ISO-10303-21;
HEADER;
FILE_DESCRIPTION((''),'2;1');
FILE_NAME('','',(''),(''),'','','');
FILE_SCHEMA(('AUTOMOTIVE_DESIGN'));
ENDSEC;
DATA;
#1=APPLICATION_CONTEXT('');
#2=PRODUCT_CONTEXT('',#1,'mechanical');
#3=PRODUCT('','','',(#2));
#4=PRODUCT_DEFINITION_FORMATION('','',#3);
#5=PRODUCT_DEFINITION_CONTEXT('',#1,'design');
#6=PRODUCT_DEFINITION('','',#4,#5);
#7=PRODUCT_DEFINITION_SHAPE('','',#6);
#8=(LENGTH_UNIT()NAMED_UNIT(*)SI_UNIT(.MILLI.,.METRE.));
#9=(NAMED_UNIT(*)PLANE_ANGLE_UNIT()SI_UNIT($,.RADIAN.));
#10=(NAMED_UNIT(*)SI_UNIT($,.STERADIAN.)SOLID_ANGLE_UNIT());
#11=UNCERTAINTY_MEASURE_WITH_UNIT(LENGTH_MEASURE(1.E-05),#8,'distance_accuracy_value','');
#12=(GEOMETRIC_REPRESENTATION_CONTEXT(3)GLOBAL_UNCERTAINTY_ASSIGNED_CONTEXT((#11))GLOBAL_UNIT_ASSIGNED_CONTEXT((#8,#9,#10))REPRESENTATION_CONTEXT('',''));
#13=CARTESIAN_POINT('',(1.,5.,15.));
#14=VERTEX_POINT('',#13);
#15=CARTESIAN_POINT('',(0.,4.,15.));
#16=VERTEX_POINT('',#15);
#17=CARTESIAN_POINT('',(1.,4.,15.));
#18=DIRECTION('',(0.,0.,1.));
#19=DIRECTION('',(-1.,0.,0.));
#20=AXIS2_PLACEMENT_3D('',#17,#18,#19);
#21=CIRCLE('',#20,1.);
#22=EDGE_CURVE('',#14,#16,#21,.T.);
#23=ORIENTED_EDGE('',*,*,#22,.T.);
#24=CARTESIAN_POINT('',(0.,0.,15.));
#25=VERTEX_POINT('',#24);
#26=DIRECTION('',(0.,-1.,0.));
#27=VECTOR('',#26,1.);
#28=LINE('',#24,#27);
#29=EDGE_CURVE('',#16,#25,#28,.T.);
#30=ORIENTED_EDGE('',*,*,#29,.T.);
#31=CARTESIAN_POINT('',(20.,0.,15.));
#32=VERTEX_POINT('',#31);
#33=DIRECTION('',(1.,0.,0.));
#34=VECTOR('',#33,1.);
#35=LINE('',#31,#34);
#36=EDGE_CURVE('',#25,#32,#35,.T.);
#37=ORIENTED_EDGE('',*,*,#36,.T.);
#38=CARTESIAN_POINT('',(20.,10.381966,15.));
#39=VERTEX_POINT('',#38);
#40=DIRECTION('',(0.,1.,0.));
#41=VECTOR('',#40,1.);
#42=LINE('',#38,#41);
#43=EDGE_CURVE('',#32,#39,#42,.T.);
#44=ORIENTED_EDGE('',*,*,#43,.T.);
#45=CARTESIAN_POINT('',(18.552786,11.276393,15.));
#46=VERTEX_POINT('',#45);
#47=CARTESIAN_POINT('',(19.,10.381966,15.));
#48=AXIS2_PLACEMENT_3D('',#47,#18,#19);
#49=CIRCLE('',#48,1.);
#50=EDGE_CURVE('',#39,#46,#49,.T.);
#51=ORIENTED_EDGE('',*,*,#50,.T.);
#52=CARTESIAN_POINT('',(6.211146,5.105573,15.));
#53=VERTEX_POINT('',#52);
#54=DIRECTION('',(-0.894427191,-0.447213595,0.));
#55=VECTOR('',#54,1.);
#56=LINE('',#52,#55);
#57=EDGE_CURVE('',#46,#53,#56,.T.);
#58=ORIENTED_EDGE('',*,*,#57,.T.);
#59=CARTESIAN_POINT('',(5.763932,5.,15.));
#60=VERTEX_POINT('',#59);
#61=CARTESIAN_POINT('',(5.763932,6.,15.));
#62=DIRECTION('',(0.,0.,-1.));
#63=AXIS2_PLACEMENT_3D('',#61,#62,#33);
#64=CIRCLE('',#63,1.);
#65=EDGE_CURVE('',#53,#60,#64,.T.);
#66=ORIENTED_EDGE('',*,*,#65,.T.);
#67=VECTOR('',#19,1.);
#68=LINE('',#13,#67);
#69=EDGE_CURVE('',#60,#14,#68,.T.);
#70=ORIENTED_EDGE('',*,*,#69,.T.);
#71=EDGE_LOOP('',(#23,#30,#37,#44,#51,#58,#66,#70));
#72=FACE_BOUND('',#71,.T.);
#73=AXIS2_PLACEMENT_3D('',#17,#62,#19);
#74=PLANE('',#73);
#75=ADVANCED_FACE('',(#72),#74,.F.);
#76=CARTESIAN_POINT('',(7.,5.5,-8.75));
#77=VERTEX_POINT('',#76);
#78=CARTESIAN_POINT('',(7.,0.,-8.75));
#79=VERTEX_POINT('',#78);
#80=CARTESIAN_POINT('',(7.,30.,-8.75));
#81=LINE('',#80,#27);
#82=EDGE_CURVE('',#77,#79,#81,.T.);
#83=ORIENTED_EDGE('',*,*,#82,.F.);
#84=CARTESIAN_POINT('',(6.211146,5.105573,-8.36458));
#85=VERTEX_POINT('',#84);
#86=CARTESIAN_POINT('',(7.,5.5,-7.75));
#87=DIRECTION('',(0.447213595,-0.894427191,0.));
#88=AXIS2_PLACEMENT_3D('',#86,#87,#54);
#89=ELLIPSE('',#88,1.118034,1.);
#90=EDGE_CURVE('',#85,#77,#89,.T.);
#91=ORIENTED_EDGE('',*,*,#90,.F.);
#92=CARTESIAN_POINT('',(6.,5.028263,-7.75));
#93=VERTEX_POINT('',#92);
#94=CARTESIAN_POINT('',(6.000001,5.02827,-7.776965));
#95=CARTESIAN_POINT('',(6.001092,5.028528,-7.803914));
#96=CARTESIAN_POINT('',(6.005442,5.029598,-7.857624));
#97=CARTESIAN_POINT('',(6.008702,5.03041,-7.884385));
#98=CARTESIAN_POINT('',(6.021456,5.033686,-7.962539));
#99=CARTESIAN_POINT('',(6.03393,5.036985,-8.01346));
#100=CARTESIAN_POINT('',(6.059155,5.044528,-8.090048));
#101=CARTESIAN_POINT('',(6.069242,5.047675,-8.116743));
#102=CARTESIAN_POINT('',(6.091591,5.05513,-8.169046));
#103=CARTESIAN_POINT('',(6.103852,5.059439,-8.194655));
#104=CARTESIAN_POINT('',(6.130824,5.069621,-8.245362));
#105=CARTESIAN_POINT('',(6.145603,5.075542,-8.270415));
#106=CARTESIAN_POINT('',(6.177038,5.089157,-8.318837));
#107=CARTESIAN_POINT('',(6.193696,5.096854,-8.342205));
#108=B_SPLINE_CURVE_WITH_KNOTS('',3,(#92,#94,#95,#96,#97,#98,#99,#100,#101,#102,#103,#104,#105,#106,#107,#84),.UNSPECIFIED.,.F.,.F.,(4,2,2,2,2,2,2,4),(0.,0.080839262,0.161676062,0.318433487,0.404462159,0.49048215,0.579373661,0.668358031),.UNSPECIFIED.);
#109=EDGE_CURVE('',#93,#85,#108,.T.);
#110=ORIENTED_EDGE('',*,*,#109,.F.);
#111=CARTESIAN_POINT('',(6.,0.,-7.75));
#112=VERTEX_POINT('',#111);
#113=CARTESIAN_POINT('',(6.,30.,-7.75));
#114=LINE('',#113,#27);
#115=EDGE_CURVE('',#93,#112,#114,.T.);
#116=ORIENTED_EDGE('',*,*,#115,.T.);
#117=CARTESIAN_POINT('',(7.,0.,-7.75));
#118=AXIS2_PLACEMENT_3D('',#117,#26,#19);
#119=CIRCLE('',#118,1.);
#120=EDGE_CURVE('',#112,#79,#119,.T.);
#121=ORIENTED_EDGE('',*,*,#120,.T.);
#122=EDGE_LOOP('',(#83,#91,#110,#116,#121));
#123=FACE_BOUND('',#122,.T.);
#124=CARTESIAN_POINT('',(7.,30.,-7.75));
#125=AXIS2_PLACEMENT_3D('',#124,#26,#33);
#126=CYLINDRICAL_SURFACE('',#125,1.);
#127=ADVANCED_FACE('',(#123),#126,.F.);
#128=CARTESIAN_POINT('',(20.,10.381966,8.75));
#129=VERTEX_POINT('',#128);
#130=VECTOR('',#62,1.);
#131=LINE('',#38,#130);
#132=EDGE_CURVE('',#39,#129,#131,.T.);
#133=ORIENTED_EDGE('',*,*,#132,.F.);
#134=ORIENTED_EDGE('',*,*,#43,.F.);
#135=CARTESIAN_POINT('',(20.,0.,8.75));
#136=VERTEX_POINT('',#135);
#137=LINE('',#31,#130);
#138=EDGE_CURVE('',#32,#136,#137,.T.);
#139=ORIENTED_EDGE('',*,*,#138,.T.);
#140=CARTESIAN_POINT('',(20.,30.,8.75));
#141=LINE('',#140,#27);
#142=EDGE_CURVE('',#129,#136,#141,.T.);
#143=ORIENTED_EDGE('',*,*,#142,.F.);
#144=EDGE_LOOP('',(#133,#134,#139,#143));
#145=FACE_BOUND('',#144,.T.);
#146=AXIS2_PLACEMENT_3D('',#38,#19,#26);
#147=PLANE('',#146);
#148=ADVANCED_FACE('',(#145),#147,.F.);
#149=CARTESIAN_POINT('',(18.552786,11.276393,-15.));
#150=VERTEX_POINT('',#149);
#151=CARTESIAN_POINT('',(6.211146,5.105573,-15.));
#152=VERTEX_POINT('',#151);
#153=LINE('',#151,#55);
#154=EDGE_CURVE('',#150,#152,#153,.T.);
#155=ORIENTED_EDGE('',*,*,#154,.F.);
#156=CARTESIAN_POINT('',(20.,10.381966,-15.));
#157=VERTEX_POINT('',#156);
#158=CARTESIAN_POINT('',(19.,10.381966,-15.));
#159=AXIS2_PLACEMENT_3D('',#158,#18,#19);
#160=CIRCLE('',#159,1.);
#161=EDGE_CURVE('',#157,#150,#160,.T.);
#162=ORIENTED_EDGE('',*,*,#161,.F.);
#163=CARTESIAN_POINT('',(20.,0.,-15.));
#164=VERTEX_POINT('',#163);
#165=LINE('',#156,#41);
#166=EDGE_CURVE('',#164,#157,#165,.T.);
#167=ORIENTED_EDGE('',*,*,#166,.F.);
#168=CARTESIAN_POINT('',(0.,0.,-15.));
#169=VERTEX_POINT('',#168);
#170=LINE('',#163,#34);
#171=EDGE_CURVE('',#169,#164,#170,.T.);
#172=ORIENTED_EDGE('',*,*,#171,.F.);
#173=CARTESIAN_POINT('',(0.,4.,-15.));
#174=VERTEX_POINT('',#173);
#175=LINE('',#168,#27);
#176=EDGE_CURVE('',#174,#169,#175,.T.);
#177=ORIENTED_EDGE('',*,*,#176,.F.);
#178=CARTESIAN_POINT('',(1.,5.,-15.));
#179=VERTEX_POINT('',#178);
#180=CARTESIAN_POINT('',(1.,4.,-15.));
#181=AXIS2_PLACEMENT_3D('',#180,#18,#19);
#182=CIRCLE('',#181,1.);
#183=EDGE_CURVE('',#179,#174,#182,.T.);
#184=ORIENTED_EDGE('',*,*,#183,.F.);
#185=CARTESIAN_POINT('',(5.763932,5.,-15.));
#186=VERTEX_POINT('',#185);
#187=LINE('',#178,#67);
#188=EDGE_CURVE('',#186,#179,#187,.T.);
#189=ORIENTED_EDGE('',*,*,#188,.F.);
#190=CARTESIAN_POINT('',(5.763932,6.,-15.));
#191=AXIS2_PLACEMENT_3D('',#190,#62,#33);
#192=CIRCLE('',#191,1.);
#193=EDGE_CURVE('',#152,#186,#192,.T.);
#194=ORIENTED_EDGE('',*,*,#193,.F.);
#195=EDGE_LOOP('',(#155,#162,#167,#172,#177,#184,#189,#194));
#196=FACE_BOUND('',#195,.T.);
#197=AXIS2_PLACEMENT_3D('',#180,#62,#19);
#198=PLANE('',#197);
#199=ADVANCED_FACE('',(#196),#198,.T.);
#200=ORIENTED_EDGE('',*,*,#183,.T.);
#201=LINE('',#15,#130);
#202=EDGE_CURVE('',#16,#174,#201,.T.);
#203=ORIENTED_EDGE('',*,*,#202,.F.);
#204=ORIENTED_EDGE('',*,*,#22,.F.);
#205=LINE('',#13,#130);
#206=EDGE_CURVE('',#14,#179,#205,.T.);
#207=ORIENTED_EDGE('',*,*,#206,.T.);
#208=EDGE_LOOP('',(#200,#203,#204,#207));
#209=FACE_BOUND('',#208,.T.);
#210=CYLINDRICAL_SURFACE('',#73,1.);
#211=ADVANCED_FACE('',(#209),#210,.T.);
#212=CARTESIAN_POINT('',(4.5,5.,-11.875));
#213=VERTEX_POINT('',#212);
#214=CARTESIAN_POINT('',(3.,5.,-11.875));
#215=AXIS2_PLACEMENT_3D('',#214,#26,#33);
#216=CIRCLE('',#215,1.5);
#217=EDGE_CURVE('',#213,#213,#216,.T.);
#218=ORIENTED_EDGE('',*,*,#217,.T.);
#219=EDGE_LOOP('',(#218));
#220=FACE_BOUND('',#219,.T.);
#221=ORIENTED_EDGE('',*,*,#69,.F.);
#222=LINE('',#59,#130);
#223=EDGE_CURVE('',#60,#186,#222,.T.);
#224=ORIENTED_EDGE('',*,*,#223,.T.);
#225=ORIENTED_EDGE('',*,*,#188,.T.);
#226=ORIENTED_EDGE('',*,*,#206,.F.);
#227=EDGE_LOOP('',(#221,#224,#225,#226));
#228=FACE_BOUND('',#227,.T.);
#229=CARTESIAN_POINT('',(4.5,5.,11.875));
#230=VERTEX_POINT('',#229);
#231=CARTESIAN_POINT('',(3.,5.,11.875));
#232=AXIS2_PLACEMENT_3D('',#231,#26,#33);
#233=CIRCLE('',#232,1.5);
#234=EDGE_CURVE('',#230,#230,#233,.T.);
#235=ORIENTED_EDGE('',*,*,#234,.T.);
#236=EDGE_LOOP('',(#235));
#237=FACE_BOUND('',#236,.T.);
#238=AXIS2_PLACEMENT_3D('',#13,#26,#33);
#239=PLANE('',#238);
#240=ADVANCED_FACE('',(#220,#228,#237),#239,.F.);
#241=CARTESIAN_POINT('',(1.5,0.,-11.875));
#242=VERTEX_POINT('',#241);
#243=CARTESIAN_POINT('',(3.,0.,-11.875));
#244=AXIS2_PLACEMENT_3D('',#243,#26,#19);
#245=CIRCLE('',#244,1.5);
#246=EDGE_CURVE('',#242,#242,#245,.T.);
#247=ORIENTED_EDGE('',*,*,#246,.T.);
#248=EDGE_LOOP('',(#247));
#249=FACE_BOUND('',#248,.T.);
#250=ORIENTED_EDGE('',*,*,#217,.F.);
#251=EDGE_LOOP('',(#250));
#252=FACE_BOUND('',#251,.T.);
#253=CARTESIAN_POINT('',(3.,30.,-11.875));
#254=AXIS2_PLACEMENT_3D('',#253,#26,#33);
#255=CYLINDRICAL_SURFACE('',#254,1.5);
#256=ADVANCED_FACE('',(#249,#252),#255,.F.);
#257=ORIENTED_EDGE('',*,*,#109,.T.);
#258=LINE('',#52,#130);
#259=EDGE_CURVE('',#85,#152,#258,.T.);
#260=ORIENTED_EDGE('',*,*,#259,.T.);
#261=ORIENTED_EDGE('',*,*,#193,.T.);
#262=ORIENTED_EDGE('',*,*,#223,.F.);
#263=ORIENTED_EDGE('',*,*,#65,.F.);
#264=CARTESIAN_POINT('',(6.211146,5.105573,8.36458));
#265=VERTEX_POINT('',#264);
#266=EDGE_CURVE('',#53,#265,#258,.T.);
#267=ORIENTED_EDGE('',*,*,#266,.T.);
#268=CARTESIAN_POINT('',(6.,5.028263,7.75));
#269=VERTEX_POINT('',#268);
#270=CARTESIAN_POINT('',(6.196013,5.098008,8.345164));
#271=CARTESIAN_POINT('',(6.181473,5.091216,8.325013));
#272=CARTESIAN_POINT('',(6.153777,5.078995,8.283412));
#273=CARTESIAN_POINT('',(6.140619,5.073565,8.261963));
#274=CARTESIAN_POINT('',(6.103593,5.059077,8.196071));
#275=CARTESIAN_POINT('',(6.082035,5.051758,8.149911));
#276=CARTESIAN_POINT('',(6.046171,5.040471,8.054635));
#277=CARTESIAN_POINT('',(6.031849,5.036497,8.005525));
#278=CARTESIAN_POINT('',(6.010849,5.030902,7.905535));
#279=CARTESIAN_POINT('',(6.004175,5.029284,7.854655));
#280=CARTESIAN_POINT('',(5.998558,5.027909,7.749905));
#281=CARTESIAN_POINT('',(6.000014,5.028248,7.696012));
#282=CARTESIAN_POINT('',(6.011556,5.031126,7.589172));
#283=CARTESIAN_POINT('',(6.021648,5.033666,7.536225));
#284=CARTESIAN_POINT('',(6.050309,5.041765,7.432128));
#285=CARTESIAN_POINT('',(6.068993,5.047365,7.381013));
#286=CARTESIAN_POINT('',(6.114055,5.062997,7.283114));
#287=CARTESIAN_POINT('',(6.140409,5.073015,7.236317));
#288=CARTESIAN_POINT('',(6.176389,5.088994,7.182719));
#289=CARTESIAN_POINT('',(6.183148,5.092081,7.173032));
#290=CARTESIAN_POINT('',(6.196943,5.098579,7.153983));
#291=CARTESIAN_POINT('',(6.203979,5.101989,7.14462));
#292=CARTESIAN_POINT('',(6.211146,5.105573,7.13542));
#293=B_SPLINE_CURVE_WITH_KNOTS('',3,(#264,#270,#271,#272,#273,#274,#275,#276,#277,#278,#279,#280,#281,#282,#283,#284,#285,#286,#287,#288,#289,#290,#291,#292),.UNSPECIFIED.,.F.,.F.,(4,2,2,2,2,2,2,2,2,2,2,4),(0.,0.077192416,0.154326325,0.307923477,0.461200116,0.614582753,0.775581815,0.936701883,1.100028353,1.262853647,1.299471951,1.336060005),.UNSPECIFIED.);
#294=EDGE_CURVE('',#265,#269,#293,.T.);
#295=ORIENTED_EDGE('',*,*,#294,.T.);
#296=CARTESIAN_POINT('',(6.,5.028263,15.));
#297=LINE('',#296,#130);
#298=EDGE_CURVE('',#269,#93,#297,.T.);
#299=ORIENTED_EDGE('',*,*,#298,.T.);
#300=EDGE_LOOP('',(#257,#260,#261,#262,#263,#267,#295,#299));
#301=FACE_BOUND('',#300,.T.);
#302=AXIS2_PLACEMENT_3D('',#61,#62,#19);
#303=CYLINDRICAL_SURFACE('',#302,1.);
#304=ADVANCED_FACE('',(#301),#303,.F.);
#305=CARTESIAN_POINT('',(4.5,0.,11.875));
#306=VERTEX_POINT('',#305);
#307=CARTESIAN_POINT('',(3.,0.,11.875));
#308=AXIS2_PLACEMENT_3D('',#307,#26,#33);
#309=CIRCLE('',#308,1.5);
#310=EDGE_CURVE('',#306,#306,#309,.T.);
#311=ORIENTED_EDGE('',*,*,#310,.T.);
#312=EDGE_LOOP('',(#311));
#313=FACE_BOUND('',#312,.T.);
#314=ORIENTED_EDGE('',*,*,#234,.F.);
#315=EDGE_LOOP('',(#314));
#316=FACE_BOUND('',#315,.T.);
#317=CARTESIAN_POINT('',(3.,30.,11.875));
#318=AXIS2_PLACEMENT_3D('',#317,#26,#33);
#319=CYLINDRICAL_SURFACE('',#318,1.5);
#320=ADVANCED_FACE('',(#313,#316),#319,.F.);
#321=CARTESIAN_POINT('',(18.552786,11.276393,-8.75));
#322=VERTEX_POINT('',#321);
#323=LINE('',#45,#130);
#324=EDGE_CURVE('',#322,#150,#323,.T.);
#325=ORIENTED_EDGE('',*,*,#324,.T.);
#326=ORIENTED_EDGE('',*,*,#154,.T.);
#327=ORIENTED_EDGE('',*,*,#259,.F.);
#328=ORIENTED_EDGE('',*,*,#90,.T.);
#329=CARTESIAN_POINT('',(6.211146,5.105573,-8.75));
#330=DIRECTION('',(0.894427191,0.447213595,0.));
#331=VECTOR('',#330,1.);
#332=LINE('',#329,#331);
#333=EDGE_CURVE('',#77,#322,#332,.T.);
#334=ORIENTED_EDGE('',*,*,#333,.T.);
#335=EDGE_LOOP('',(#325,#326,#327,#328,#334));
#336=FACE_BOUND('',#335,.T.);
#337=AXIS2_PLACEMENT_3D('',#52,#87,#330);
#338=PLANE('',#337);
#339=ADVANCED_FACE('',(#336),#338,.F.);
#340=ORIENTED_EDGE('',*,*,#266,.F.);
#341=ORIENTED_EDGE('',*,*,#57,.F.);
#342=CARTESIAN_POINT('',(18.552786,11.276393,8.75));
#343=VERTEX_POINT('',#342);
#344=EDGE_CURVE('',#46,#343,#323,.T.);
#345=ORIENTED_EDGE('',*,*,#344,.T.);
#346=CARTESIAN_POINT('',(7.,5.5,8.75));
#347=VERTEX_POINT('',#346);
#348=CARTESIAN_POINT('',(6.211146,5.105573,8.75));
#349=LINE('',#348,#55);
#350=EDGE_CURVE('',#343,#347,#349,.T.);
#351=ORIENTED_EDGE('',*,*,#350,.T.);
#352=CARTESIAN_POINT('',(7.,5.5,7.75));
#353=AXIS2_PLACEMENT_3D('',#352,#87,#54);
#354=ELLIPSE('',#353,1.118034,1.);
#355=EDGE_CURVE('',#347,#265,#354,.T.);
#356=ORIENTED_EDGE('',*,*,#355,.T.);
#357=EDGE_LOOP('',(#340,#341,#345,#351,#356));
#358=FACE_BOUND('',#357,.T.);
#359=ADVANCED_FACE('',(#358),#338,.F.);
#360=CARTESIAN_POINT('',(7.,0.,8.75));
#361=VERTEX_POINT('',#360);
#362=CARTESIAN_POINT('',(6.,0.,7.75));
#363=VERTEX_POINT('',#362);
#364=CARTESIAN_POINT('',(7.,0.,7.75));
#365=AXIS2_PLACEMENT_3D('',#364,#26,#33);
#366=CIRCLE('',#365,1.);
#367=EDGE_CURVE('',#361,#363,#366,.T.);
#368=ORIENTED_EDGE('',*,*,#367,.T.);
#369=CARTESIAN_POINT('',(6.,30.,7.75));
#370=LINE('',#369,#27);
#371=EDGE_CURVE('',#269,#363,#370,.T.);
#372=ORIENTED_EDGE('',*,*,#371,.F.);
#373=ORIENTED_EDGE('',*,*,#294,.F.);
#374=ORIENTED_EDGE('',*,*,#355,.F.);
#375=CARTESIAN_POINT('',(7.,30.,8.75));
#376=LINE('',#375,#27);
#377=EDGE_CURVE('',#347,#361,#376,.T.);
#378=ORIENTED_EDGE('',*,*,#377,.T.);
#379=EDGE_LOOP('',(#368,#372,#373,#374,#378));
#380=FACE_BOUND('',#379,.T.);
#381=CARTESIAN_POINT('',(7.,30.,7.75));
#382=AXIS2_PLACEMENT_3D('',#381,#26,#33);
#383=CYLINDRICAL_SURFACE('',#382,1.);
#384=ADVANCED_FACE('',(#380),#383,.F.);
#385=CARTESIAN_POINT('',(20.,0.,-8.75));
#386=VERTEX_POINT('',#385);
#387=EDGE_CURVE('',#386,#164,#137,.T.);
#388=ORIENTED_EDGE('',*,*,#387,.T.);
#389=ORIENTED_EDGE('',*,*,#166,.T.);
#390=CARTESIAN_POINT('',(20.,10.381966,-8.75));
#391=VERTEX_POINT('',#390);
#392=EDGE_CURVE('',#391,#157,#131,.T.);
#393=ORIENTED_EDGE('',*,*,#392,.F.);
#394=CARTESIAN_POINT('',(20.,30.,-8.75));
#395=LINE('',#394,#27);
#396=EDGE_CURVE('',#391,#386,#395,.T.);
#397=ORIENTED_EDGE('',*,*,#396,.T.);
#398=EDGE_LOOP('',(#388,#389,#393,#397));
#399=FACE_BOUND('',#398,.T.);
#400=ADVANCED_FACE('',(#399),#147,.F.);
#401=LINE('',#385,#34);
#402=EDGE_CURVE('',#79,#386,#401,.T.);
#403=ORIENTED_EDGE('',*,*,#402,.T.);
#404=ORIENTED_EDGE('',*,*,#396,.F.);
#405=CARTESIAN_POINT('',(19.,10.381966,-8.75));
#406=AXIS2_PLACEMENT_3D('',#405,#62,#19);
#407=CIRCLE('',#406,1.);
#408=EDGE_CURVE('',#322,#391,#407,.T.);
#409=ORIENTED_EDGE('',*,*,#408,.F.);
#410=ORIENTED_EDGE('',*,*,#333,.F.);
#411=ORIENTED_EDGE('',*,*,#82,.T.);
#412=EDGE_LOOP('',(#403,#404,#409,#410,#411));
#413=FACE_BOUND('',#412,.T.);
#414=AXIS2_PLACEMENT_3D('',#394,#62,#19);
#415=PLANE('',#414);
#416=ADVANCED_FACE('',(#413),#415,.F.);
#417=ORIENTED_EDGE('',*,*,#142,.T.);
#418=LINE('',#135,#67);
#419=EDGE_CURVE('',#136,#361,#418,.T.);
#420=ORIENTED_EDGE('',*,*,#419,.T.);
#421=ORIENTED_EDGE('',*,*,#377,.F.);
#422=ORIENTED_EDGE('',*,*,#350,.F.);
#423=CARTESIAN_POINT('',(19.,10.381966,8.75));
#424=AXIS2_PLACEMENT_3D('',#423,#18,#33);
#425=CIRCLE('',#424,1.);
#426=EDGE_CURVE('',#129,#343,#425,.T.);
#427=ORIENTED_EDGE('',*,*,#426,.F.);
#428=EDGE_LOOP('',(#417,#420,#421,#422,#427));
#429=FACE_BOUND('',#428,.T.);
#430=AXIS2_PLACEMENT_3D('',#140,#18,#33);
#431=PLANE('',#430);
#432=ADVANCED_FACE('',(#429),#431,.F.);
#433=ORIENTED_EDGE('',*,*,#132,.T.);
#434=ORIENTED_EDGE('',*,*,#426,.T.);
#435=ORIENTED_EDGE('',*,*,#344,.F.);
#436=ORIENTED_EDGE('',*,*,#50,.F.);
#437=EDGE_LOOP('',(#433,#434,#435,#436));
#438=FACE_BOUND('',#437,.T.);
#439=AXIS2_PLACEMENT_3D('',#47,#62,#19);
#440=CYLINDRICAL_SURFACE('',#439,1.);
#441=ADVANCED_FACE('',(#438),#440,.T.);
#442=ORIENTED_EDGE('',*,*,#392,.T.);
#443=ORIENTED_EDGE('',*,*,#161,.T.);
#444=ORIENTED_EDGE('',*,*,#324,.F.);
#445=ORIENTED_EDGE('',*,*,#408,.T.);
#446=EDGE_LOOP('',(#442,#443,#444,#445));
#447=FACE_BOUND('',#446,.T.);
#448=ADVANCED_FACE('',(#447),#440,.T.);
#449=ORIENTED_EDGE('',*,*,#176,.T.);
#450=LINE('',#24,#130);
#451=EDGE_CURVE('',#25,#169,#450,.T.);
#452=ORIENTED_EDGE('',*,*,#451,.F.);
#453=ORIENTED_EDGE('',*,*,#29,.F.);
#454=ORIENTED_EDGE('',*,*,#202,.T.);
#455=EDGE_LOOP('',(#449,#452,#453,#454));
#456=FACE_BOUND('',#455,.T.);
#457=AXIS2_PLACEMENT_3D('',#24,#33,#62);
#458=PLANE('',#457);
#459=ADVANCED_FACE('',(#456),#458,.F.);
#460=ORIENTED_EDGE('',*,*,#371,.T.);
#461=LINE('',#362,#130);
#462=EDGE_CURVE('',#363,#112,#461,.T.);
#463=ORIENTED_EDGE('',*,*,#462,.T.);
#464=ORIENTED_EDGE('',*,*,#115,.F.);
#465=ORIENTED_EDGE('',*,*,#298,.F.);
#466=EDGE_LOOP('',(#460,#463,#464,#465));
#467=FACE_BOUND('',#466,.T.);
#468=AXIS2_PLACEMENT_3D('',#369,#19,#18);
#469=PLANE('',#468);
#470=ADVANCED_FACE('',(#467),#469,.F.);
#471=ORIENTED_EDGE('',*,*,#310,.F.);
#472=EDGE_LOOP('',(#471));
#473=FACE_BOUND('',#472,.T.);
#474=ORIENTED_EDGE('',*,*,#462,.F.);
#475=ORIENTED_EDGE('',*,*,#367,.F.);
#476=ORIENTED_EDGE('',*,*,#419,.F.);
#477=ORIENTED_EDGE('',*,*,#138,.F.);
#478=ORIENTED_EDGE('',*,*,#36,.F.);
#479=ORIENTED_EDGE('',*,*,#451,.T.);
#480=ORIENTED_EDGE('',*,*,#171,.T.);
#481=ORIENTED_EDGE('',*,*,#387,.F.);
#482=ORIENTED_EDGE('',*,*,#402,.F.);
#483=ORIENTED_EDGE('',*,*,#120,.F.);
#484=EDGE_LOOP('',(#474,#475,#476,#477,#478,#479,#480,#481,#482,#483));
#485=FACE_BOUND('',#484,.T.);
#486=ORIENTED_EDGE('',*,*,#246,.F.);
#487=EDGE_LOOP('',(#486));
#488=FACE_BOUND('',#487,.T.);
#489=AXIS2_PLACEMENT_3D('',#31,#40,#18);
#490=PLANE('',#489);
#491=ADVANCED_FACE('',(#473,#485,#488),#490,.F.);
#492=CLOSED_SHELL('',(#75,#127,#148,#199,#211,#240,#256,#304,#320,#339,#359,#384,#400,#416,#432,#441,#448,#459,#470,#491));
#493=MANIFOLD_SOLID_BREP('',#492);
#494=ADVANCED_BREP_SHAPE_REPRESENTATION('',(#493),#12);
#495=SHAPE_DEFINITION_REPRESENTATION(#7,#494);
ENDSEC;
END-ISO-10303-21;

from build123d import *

# Parameters (mm, degrees)
BOSS_EXTRUDE1_DEPTH = 15
SKETCH2_R           = 1.5
CUT_EXTRUDE1_DEPTH  = 30


with BuildPart() as part:
    # Sketch1 → Boss-Extrude1 (new, symmetric)
    with BuildSketch(Plane.XY):
        with BuildLine():
            Line((0, 0), (0, 4))
            ThreePointArc((0, 4), (0.292893219, 4.707106781), (1, 5))
            Line((1, 5), (5.763932023, 5))
            ThreePointArc((5.763932023, 5), (5.993684943, 5.026751011), (6.211145618, 5.105572809))
            Line((6.211145618, 5.105572809), (18.552786405, 11.276393202))
            ThreePointArc((18.552786405, 11.276393202), (19.525731112, 11.23261682), (20, 10.381966011))
            Line((20, 10.381966011), (20, 0))
            Line((20, 0), (0, 0))
        make_face()
    extrude(amount=BOSS_EXTRUDE1_DEPTH, both=True)

    # Sketch2 → Cut-Extrude1 (cut)
    with BuildSketch(Plane.XZ):
        with Locations((3, 11.875)):
            Circle(SKETCH2_R)
        with Locations((3, -11.875)):
            Circle(SKETCH2_R)
        with BuildLine():
            Line((20, -8.75), (20, 8.75))
            Line((20, 8.75), (7, 8.75))
            ThreePointArc((7, 8.75), (6.292893219, 8.457106781), (6, 7.75))
            Line((6, 7.75), (6, -7.75))
            ThreePointArc((6, -7.75), (6.292893219, -8.457106781), (7, -8.75))
            Line((7, -8.75), (20, -8.75))
        make_face()
    extrude(amount=-CUT_EXTRUDE1_DEPTH, mode=Mode.SUBTRACT)


solid = part.part
